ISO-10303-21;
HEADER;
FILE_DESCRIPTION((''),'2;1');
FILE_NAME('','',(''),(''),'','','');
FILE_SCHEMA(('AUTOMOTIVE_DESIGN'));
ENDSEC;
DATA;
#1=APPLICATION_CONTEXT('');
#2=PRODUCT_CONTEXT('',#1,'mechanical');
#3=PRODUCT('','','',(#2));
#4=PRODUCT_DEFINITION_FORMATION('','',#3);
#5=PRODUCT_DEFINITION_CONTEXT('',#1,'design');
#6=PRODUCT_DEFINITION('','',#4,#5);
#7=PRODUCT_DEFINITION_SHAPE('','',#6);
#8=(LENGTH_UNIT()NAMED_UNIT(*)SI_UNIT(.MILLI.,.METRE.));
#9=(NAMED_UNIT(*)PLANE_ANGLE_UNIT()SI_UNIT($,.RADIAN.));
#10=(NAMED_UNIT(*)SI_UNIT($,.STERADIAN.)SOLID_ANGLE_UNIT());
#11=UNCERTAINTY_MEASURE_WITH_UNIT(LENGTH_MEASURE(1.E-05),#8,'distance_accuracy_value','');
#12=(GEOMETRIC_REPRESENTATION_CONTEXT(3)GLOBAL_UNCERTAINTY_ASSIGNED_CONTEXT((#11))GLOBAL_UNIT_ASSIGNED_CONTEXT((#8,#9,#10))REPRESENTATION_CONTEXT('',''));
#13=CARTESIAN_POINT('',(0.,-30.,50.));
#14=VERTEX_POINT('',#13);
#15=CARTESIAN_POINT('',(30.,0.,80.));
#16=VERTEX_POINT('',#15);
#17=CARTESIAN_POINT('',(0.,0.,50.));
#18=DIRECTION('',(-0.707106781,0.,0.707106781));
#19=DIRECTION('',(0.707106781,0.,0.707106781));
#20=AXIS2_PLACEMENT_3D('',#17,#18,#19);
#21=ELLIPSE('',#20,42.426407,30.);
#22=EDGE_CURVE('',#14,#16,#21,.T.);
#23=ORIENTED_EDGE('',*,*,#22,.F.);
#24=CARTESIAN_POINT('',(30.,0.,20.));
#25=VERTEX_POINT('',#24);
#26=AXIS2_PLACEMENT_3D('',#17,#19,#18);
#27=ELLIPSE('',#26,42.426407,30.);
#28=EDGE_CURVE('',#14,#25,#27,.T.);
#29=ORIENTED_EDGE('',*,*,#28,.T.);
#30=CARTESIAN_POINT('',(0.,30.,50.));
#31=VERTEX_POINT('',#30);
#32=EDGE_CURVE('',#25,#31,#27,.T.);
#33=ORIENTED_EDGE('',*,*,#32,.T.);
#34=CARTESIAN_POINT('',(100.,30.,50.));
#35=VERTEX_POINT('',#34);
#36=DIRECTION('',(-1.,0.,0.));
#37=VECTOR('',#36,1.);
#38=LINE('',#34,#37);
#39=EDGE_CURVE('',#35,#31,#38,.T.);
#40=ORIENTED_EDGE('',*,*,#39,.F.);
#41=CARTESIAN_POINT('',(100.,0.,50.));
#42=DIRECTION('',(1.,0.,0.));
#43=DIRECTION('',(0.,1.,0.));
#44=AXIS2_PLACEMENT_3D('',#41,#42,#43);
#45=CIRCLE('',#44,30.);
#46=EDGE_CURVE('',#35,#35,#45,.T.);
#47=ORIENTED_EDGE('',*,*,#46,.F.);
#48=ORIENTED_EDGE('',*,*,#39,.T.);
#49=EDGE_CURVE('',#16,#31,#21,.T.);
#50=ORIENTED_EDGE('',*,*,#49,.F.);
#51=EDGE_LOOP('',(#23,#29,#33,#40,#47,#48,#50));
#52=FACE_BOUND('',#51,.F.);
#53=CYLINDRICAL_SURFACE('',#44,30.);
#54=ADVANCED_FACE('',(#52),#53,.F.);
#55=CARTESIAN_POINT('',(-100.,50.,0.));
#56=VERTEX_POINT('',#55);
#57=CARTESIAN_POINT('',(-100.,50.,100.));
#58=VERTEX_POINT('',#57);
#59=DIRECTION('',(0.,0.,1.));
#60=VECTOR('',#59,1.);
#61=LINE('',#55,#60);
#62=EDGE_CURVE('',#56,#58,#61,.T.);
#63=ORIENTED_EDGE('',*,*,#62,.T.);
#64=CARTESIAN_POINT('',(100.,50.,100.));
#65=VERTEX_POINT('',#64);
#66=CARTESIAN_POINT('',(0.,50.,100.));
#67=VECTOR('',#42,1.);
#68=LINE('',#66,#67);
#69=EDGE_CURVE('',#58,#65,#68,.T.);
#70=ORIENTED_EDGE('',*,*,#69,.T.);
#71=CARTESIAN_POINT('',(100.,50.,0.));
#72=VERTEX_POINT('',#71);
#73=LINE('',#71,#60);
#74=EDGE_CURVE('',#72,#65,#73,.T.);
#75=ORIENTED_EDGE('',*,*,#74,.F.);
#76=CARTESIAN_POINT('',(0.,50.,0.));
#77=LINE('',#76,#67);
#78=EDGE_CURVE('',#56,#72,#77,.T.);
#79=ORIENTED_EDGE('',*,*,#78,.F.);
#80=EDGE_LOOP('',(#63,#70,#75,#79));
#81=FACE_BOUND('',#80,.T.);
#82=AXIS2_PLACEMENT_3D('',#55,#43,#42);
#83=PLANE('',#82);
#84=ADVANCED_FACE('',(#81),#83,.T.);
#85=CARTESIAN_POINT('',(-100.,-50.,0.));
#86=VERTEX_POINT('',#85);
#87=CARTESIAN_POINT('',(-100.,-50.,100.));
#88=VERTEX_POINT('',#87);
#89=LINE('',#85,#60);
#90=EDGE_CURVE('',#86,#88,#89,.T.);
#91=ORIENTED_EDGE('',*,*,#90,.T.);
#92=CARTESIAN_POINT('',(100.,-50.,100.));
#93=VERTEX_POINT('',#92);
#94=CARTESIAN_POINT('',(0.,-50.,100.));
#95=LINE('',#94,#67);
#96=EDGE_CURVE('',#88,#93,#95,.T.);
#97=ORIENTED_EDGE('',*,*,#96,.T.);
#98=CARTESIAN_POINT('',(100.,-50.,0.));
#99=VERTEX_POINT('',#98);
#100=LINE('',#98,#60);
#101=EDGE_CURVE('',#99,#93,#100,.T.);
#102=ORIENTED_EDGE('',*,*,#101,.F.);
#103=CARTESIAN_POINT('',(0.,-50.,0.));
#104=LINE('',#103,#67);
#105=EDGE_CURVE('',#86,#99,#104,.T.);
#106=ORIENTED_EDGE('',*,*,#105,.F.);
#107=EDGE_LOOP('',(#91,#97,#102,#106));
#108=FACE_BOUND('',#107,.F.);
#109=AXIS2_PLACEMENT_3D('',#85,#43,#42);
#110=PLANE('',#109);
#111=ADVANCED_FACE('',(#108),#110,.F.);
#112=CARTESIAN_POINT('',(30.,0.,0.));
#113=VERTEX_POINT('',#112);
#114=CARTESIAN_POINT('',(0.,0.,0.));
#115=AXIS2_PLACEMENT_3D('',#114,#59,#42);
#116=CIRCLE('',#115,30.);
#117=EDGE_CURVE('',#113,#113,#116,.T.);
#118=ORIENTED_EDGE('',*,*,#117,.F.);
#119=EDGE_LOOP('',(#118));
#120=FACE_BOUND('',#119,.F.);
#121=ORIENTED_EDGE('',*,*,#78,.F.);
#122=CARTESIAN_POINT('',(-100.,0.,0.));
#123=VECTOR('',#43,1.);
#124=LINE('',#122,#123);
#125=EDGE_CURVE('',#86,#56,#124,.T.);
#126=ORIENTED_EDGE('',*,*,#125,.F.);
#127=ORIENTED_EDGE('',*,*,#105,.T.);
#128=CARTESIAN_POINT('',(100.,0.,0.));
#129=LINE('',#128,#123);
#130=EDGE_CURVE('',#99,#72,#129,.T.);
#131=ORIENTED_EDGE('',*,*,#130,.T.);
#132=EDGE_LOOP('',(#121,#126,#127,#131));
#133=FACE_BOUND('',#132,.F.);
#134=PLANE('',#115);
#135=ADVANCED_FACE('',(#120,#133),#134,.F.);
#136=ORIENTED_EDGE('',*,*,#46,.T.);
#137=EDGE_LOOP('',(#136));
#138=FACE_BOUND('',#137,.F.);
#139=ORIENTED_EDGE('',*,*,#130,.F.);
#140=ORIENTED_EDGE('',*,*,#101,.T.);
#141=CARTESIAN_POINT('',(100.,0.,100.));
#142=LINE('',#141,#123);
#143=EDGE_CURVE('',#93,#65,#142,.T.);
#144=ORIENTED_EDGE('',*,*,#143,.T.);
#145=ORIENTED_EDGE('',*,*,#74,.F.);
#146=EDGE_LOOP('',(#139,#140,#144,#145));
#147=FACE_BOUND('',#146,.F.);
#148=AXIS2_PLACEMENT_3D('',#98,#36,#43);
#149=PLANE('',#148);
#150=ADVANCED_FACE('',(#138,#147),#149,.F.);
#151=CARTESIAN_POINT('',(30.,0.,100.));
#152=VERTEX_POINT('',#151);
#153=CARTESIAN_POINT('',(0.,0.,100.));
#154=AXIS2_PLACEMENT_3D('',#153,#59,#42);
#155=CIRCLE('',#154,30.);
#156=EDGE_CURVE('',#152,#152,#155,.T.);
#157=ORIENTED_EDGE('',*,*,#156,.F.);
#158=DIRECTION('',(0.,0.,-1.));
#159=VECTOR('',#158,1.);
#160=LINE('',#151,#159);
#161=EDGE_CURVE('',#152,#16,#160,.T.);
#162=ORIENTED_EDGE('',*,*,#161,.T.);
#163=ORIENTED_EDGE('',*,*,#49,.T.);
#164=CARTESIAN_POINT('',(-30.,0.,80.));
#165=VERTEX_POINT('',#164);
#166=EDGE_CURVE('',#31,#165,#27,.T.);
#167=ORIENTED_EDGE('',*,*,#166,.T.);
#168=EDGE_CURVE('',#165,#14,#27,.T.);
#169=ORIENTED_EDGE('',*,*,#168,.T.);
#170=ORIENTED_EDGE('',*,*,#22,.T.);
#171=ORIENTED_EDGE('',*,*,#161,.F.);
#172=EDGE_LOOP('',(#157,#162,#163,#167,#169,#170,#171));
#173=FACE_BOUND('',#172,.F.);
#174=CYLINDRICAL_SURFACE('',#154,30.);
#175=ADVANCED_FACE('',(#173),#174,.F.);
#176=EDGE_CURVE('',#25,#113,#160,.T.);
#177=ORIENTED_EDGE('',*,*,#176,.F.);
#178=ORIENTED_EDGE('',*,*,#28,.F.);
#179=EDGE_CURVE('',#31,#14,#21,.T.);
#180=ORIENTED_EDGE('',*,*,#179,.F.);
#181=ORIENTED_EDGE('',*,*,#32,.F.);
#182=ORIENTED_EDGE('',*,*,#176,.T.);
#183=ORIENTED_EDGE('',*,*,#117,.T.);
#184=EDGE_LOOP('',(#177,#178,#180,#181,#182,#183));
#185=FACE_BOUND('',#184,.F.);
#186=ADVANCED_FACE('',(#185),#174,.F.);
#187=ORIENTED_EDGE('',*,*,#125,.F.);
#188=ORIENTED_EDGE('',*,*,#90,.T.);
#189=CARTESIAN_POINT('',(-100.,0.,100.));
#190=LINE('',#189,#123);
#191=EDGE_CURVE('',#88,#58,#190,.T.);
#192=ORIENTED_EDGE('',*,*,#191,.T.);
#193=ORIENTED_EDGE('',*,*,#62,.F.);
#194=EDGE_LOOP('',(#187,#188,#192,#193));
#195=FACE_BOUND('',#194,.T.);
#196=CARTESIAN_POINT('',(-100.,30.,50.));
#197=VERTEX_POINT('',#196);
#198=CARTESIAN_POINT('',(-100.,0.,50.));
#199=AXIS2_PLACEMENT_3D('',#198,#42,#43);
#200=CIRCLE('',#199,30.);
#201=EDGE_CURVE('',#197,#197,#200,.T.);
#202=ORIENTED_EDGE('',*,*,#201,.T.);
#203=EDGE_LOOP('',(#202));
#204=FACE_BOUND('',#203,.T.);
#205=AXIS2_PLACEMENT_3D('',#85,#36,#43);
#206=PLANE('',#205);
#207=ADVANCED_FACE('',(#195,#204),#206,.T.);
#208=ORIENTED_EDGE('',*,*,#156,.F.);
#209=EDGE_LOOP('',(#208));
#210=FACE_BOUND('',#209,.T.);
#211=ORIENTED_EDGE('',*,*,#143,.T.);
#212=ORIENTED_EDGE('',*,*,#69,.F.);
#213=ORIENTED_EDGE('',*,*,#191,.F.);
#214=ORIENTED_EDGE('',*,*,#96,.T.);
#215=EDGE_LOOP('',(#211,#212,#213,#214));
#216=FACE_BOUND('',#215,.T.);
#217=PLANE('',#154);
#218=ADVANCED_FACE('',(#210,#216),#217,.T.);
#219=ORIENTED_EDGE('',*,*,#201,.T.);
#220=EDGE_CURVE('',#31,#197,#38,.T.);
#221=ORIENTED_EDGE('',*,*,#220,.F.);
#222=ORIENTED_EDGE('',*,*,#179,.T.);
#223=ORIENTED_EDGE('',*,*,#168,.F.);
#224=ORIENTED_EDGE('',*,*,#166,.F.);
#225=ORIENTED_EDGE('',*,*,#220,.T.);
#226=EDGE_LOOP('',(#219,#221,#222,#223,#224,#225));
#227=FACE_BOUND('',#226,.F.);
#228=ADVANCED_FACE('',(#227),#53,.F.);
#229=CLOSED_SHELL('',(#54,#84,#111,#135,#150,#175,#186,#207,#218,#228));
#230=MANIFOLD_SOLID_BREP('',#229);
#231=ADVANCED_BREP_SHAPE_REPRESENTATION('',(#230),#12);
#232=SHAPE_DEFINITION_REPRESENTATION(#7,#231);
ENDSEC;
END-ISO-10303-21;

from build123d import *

# Parameters (mm, degrees)
F0_W     = 200
F0_H     = 100
F1_DEPTH = 100
F2_R     = 30
F3_DEPTH = 100
F4_R     = 30
F5_DEPTH = 200.001


with BuildPart() as f1:
    # F0 (on Top) → F1 (new body)
    with BuildSketch(Plane.XY):
        Rectangle(F0_W, F0_H)
    extrude(amount=F1_DEPTH)

    # F2 (on face) → F3 (cut, through all)
    with BuildSketch(Plane.XY.offset(100)):
        Circle(F2_R)
    extrude(amount=-F3_DEPTH, mode=Mode.SUBTRACT)

    # F4 (on face) → F5 (cut, through all)
    with BuildSketch(Plane.YZ.offset(100)):
        with Locations((0, 50)):
            Circle(F4_R)
    extrude(amount=-F5_DEPTH, mode=Mode.SUBTRACT)


solid = f1.part
